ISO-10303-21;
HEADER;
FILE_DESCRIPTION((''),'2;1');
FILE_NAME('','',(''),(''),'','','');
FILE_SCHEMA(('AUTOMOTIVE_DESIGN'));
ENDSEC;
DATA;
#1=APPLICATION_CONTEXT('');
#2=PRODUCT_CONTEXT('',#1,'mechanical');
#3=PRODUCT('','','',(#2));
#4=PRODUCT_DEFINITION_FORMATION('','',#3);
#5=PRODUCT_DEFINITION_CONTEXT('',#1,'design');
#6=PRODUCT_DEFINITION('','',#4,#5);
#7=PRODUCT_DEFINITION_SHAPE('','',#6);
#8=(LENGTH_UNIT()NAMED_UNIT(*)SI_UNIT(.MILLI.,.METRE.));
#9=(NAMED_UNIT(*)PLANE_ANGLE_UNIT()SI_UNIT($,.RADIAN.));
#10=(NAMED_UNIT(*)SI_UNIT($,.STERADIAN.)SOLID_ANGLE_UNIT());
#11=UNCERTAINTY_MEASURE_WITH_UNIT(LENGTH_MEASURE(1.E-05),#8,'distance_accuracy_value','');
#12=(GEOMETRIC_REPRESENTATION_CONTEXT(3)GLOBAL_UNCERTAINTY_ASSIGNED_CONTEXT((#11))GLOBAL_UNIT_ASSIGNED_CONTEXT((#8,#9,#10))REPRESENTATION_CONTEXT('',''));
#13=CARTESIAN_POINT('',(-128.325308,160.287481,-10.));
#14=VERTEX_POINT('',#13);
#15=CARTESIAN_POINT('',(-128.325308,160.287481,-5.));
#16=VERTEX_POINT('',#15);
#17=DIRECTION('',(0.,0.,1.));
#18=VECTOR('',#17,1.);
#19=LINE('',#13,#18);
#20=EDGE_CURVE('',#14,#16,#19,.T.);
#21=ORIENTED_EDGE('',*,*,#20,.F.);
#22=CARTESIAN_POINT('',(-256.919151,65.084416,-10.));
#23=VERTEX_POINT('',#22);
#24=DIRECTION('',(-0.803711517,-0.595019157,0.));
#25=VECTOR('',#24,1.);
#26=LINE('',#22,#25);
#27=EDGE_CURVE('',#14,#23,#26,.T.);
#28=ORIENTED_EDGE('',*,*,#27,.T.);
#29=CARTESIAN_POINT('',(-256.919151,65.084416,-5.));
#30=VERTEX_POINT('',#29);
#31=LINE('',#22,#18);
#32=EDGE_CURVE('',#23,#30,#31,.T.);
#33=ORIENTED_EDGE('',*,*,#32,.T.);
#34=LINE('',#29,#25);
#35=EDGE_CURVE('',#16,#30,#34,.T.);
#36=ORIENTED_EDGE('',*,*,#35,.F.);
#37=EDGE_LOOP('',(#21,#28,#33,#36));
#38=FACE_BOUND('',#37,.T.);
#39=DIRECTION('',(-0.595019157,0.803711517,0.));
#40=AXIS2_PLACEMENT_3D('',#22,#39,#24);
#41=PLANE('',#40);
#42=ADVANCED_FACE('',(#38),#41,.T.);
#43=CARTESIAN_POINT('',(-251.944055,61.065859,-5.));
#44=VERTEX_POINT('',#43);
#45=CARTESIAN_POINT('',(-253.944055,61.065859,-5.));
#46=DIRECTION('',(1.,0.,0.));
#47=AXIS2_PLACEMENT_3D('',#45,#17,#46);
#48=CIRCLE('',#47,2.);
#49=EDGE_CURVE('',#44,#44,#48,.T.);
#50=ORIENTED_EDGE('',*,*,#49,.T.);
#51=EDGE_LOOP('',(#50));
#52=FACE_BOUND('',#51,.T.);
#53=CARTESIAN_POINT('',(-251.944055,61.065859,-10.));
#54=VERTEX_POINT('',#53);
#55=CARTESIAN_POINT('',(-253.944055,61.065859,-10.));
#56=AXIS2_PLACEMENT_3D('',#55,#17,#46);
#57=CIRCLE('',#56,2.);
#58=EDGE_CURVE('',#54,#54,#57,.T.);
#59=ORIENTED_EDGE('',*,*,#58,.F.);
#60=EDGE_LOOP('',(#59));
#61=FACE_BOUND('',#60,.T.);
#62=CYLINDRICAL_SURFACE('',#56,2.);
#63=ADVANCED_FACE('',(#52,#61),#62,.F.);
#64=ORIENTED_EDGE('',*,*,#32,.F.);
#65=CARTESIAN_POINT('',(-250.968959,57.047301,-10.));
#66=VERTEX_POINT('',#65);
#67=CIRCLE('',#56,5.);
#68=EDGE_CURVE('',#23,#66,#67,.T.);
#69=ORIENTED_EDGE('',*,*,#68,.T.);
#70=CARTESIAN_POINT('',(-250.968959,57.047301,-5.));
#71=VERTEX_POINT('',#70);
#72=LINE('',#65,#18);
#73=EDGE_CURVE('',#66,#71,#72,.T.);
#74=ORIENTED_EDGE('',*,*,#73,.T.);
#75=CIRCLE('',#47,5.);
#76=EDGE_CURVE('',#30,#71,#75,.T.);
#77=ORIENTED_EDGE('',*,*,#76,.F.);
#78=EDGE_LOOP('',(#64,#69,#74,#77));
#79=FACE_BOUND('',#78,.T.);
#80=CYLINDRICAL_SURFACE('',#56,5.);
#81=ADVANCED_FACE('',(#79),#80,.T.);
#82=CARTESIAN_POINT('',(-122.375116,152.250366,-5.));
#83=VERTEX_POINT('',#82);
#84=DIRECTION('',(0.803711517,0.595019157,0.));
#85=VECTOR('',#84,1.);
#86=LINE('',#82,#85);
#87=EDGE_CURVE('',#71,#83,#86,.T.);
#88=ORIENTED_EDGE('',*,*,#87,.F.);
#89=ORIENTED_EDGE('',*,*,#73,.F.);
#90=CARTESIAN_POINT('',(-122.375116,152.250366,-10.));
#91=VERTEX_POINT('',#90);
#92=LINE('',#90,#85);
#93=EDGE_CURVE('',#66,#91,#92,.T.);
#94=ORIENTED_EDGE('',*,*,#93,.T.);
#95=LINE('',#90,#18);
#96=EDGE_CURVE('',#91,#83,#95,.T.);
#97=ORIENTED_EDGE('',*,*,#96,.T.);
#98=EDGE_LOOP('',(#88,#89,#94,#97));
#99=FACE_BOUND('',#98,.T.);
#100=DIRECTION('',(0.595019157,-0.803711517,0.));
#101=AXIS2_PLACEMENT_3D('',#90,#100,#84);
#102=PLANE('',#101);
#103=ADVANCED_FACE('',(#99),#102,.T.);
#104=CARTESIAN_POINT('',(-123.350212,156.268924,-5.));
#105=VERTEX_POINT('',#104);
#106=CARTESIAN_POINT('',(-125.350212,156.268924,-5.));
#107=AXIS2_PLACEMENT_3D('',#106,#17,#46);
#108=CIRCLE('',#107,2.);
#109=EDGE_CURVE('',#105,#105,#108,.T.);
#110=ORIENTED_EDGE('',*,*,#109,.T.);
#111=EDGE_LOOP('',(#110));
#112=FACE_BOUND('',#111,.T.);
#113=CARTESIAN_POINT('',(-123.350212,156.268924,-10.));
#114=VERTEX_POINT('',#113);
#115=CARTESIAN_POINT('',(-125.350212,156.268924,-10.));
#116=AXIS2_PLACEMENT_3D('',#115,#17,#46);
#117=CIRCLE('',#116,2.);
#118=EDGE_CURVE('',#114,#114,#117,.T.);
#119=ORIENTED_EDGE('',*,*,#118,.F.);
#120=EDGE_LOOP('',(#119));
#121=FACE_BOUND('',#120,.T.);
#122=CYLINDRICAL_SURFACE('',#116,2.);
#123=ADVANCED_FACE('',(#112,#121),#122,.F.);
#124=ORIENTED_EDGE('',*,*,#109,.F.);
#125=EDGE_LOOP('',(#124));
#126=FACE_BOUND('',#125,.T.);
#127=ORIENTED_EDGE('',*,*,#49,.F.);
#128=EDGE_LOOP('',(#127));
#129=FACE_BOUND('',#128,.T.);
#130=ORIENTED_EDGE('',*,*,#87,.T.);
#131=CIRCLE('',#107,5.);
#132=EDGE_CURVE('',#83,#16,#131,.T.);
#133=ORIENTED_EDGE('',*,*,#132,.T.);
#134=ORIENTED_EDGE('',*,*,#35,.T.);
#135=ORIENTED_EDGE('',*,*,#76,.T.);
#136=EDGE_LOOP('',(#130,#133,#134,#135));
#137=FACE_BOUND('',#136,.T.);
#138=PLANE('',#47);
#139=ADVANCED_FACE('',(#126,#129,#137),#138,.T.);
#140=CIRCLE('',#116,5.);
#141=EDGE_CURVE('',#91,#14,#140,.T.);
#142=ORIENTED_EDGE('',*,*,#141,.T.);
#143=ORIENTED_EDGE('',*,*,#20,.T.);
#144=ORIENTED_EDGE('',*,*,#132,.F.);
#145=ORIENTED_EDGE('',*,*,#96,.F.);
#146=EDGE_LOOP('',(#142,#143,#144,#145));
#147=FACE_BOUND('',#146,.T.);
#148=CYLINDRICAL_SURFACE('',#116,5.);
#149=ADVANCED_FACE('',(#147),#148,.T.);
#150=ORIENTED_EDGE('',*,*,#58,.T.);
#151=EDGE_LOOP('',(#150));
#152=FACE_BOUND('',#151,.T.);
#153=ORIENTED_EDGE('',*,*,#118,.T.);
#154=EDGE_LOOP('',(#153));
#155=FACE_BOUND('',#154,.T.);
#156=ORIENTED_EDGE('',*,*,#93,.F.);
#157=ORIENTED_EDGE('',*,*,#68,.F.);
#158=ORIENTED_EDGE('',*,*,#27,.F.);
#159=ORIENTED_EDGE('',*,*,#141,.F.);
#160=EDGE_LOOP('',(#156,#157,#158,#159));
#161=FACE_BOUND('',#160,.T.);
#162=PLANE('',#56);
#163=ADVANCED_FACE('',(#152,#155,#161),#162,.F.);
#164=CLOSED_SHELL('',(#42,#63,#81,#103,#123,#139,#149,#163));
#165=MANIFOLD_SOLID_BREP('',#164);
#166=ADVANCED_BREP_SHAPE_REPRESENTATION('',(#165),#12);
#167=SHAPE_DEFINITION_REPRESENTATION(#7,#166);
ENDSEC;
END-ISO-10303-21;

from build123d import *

# Parameters (mm, degrees)
BOSS_EXTRUDE1_START = -5
SKETCH1_R           = 2
BOSS_EXTRUDE1_DEPTH = 5


with BuildPart() as part:
    # Sketch1 → Boss-Extrude1 (new body)
    with BuildSketch(Plane.XY.offset(BOSS_EXTRUDE1_START)):
        with BuildLine():
            Line((-256.919150515, 65.08441618), (-128.325307812, 160.287481355))
            ThreePointArc((-128.325307812, 160.287481355), (-121.33165444, 159.244019557), (-122.375116238, 152.250366186))
            Line((-122.375116238, 152.250366186), (-250.968958942, 57.047301011))
            ThreePointArc((-250.968958942, 57.047301011), (-257.962612313, 58.090762809), (-256.919150515, 65.08441618))
        make_face()
        with Locations((-125.350212025, 156.26892377)):
            Circle(SKETCH1_R, mode=Mode.SUBTRACT)
        with Locations((-253.944054729, 61.065858595)):
            Circle(SKETCH1_R, mode=Mode.SUBTRACT)
    extrude(amount=-BOSS_EXTRUDE1_DEPTH)


solid = part.part
